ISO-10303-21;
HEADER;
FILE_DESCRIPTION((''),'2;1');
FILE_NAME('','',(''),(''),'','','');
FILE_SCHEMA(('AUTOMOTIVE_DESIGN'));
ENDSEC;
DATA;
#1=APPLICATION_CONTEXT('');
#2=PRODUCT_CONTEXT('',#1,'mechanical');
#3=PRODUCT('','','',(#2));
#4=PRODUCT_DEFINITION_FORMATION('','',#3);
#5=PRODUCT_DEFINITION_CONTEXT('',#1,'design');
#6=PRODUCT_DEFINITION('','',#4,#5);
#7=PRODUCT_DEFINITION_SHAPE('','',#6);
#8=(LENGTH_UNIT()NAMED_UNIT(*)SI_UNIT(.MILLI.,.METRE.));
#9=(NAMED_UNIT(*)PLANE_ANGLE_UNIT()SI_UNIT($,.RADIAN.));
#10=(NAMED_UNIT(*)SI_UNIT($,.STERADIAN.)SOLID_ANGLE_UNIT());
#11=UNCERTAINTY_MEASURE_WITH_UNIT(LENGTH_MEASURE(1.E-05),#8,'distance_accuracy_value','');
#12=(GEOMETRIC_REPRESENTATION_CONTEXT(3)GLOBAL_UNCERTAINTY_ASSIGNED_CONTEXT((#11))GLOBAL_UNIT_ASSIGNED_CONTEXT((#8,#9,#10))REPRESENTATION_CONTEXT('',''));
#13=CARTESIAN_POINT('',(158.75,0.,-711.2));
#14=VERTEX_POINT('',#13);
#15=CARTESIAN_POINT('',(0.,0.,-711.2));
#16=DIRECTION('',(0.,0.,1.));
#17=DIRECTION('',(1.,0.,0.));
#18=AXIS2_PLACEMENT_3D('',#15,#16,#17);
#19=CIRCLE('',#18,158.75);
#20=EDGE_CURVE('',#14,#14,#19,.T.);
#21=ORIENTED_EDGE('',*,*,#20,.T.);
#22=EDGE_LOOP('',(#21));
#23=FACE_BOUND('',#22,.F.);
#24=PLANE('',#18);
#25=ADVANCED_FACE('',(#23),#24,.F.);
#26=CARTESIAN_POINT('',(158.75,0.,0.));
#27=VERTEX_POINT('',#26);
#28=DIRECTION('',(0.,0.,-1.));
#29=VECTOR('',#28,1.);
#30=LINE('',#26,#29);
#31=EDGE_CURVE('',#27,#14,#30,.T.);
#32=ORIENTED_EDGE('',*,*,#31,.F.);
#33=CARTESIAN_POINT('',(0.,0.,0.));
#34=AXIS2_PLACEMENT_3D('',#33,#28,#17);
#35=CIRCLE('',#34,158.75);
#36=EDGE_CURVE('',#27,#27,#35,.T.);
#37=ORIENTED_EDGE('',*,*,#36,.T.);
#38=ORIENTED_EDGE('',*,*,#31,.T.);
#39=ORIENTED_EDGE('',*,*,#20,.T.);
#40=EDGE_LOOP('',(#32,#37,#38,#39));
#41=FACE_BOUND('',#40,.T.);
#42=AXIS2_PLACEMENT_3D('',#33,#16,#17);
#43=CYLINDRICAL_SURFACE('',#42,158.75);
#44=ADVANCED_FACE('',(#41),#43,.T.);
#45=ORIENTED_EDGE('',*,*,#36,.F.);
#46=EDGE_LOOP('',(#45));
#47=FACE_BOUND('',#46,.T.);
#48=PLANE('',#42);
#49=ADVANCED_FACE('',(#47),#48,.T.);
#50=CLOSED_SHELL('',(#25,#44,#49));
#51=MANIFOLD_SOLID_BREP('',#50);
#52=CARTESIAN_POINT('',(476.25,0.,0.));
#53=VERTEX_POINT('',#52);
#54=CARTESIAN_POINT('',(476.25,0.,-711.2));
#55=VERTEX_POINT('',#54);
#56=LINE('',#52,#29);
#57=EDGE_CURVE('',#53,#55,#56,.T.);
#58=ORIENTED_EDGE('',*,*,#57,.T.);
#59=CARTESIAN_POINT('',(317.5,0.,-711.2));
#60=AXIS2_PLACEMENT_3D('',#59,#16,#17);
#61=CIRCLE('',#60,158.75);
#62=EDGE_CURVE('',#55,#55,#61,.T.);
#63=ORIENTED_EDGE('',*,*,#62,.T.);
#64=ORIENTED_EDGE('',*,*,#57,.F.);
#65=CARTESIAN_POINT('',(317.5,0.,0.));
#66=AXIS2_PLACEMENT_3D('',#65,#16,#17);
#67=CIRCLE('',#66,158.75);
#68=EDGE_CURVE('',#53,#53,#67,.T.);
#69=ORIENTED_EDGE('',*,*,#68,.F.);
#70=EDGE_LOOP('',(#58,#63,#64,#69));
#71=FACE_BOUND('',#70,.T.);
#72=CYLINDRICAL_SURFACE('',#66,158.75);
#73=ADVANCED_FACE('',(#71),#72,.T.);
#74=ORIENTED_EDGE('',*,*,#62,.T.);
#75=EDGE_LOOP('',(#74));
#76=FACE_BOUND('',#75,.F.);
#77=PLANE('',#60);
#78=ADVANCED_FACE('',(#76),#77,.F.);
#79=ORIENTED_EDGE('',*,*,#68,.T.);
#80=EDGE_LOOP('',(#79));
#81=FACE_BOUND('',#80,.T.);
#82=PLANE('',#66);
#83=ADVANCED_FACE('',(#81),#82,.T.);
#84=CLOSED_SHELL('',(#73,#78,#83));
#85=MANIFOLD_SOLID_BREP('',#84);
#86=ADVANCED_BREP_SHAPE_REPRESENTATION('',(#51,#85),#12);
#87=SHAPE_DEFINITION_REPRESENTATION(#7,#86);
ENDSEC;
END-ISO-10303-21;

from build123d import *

# Parameters (mm, degrees)
F1_R     = 158.75
F2_DEPTH = 711.2
F4_R     = 158.75
F5_DEPTH = 711.2


with BuildPart() as f2:
    # F1 (on face) → F2 (new body)
    with BuildSketch(Plane.XY):
        Circle(F1_R)
    extrude(amount=-F2_DEPTH)

    # F3: F2 across plane


with BuildPart() as f2_1:
    add(f2.part)
    add(f2.part.mirror(Plane.YZ))


with BuildPart() as f5:
    # F4 (on face) → F5 (new body)
    with BuildSketch(Plane.XY):
        with Locations((317.5, 0)):
            Circle(F4_R)
    extrude(amount=-F5_DEPTH)


solid = Compound([f2_1.part, f5.part])
